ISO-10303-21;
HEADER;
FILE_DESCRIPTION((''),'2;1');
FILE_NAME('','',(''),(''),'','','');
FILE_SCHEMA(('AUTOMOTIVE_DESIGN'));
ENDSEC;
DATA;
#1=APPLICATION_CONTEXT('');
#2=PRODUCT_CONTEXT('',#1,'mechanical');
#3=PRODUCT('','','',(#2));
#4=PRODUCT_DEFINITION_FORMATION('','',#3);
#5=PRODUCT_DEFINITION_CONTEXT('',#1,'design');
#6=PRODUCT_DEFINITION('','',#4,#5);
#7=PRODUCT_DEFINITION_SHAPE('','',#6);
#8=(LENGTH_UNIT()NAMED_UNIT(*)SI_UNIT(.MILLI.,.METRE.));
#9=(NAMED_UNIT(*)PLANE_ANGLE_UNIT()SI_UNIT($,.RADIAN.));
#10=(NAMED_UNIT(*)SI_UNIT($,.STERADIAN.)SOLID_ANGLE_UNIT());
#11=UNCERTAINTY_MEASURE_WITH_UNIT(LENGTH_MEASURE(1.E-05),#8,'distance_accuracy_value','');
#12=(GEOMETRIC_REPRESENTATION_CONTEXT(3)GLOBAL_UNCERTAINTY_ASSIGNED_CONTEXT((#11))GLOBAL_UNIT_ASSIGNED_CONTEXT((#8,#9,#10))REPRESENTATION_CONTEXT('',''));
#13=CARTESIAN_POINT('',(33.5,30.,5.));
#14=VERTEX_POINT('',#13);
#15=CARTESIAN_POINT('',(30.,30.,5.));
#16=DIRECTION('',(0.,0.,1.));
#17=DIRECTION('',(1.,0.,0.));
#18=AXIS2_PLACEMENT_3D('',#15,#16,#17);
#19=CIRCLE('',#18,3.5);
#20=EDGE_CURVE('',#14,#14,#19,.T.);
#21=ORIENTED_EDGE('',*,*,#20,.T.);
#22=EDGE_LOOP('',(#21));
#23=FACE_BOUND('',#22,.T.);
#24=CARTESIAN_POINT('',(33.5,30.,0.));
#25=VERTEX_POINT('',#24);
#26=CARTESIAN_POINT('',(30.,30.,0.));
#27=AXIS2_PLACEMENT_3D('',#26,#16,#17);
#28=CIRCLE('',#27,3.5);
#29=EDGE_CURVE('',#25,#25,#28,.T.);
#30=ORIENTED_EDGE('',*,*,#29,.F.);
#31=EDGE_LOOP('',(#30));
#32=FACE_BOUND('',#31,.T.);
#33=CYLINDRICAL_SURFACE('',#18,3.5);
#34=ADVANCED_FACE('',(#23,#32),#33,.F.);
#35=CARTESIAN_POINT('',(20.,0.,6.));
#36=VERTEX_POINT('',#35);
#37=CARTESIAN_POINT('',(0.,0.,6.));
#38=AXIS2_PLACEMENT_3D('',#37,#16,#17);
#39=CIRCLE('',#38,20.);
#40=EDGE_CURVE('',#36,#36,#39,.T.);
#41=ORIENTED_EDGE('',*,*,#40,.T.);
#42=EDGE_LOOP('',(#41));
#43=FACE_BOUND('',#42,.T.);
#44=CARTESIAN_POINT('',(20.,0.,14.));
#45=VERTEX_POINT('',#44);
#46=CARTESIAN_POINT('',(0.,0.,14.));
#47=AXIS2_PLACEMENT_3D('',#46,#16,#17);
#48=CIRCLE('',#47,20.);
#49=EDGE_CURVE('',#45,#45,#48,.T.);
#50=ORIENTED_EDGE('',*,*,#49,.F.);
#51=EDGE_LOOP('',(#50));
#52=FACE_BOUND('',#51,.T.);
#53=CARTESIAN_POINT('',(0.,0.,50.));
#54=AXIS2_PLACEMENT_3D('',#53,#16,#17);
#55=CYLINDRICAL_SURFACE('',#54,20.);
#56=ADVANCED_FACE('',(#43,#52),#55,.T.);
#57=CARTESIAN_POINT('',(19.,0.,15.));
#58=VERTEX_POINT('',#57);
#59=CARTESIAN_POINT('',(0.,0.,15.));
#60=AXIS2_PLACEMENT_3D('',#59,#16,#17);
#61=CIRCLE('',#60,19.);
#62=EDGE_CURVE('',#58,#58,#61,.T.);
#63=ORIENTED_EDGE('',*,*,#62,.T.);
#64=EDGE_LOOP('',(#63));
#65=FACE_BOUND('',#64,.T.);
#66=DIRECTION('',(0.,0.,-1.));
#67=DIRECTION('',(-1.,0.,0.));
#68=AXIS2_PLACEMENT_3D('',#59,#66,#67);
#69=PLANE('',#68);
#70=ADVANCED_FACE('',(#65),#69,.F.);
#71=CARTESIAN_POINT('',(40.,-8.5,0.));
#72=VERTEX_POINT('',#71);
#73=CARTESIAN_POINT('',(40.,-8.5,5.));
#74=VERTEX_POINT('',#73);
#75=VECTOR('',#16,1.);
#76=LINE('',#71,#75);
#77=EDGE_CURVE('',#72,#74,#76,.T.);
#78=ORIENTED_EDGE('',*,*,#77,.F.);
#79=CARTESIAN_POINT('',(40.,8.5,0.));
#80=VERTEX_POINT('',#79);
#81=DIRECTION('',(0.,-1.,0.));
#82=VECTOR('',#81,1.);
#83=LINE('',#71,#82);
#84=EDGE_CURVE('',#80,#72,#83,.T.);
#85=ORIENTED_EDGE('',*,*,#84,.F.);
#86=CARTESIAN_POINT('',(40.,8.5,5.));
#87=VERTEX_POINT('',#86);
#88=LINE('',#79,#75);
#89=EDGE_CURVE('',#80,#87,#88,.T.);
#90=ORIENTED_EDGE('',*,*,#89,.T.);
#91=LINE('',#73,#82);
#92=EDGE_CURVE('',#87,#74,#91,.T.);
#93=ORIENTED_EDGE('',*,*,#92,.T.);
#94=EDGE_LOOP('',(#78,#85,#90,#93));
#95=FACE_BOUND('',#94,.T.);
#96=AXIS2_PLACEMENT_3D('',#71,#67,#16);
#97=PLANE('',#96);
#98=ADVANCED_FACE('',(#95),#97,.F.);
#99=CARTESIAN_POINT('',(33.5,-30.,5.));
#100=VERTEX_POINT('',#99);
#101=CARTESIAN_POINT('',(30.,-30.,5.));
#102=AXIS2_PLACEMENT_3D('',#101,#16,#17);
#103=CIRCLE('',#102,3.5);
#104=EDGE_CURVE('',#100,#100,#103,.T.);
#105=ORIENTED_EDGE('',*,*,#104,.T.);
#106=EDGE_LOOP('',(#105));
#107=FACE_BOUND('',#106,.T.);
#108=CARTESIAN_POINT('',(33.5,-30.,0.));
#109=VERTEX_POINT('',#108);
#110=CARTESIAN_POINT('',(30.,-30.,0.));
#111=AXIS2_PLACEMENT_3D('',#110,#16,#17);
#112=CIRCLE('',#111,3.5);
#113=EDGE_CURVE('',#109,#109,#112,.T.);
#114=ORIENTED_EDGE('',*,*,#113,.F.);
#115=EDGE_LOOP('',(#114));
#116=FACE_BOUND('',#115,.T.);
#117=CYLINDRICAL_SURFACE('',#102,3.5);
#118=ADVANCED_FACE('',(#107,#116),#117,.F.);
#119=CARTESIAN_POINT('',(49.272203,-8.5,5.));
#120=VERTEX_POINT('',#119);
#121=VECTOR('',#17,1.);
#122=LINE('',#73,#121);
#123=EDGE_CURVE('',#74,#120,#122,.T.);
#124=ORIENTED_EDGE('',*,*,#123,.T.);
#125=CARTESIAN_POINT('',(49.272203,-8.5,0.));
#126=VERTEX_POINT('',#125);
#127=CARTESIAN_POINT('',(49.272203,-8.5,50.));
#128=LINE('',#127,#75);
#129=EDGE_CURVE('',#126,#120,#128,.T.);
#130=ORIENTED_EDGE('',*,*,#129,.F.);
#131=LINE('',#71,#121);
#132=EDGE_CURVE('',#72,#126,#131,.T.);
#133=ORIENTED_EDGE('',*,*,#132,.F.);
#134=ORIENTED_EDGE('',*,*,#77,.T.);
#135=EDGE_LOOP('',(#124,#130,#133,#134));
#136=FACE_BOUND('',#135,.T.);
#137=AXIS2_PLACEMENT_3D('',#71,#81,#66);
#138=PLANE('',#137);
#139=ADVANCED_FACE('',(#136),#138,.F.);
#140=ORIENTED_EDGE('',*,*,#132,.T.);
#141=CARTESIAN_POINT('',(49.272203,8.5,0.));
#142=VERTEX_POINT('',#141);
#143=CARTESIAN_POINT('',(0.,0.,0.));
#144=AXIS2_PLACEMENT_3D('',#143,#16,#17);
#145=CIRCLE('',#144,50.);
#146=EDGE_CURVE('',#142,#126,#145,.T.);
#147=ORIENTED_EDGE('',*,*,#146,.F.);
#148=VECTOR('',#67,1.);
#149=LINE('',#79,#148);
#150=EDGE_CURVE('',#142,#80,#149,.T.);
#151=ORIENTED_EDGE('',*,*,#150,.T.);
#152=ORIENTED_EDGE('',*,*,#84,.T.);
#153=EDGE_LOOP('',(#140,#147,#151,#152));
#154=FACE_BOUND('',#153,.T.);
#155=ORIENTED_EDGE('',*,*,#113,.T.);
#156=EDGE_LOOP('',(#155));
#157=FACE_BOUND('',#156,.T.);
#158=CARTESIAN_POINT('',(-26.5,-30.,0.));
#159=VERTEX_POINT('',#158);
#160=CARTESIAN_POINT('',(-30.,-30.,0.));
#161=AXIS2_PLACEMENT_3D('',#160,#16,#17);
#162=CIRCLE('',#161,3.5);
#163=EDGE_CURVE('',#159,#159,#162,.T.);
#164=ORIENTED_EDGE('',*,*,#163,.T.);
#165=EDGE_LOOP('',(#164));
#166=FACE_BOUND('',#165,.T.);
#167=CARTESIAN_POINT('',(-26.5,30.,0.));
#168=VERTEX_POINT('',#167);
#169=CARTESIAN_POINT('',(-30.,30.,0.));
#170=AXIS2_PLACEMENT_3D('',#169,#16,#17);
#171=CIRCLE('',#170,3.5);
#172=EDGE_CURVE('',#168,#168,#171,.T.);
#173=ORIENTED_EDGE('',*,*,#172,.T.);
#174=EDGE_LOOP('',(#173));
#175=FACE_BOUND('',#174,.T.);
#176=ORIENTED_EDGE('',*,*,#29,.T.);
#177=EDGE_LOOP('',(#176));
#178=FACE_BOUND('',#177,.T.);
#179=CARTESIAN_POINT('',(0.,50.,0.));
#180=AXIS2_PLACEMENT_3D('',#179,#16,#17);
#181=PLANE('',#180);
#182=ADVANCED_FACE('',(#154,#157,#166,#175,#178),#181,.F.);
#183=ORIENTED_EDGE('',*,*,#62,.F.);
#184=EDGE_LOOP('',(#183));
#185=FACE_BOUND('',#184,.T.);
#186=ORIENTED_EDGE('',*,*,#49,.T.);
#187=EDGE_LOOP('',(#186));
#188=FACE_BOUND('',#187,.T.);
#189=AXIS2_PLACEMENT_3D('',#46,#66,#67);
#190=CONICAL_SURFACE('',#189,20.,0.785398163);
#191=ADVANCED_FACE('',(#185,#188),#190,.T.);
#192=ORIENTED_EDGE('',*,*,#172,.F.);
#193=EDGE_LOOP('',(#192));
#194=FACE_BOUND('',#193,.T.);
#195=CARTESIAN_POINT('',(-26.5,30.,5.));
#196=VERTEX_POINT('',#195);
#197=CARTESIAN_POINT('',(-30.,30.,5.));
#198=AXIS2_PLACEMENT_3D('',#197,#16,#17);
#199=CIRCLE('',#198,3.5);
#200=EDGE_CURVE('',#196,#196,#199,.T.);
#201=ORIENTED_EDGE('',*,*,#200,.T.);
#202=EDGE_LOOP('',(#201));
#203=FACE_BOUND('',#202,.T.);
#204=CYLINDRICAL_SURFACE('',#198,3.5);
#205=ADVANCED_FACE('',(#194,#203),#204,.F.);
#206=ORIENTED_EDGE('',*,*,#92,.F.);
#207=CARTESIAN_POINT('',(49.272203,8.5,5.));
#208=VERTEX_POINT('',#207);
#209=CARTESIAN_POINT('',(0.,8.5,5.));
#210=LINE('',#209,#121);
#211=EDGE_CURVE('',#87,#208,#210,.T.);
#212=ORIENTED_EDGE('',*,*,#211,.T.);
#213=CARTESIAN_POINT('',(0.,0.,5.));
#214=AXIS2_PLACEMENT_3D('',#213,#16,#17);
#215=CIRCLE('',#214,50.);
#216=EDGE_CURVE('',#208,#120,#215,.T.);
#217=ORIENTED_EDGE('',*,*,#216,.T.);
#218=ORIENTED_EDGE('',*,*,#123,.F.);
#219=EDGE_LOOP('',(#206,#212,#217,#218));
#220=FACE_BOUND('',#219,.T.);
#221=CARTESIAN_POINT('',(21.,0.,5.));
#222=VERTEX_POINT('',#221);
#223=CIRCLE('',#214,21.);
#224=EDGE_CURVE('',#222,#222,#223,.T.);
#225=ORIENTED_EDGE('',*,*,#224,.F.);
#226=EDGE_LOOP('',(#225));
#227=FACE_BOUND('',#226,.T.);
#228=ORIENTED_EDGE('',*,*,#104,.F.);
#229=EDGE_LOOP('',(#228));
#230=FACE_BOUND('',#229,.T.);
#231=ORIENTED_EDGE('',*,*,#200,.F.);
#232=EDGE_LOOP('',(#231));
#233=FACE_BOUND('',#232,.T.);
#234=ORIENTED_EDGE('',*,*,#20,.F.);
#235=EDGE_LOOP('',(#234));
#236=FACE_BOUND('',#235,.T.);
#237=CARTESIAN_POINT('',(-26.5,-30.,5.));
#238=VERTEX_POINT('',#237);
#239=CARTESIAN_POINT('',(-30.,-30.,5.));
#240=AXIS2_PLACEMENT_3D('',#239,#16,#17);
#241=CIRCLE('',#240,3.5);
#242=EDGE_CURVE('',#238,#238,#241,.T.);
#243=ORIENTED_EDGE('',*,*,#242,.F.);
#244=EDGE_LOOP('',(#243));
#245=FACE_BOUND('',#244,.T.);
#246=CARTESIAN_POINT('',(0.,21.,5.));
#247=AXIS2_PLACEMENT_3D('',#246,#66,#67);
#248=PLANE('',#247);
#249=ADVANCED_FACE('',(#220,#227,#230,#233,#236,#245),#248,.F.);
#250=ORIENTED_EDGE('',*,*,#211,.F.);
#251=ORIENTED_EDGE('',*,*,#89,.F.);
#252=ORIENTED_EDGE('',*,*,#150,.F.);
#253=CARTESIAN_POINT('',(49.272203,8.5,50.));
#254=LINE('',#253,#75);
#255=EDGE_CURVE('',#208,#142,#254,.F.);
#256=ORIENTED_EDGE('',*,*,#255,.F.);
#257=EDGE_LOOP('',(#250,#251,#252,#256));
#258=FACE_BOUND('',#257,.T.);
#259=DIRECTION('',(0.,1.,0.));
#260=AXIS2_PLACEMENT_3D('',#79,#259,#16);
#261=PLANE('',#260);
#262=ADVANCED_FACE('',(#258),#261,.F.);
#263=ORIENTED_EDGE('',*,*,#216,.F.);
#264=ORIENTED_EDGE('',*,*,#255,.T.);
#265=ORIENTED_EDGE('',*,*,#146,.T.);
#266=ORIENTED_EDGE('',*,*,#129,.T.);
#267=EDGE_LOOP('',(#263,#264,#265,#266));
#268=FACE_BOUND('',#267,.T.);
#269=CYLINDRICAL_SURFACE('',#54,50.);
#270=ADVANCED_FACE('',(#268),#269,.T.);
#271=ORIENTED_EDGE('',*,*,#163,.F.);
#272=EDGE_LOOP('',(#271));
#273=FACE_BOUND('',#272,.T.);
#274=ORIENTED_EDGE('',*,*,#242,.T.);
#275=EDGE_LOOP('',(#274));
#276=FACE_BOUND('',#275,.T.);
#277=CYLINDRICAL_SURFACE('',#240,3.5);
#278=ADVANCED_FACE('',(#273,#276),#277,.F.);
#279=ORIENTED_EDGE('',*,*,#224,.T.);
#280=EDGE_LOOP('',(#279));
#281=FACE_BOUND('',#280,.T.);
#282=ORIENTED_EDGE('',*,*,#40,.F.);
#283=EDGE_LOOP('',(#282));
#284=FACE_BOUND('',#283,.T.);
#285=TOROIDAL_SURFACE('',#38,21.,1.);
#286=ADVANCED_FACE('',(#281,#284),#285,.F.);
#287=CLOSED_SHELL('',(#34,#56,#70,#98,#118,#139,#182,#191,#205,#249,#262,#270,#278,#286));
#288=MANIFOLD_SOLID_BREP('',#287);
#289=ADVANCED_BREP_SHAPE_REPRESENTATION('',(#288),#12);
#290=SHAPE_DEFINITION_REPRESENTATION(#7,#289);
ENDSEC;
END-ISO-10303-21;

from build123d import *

# Parameters (mm, degrees)
SKETCH5_W         = 10
SKETCH5_H         = 17
EXTRUDE2_DEPTH    = 72.414284285
CIRPATTERN1_COUNT = 4


with BuildPart() as part:
    # Sketch1 → Revolve1 (revolve)
    with BuildSketch(Plane(origin=(0, 0, 0), x_dir=(0, 0, -1), z_dir=(1, 0, 0)), mode=Mode.PRIVATE) as revolve1_sk:
        with BuildLine():
            Line((0, 0), (-15, 0))
            Line((-15, 0), (-15, 19))
            Line((-15, 19), (-14, 20))
            Line((-14, 20), (-6, 20))
            ThreePointArc((-6, 20), (-5.292893219, 20.292893219), (-5, 21))
            Line((-5, 21), (-5, 50))
            Line((-5, 50), (0, 50))
            Line((0, 50), (0, 0))
        make_face()
    revolve(revolve1_sk.sketch.rotate(Axis((0, 0, 50), (0, 0, -1)), 90), axis=Axis((0, 0, 50), (0, 0, -1)))

    # Sketch5 → Extrude2 (cut, through all)
    with BuildSketch(Plane.XY.offset(5)):
        with Locations((45, 0)):
            Rectangle(SKETCH5_W, SKETCH5_H)
    extrude(amount=-EXTRUDE2_DEPTH, mode=Mode.SUBTRACT)

    # Sketch6 → Ø7.0 (7) Diameter Hole1 (revolve, cut)
    with BuildSketch(Plane(origin=(-30, 30, 5), x_dir=(0, -1, 0), z_dir=(1, 0, 0))):
        Polygon((0, 0), (0, 12.103012167), (3.5, 10), (3.5, 0), align=None)
    f_7_0_7_diameter_hole1 = revolve(axis=Axis((-30, 30, 11.35), (0, 0, -1)), mode=Mode.SUBTRACT)

    # CirPattern1: Ø7.0 (7) Diameter Hole1 ×4 about axis
    cirpattern1_axis = Axis((0, 0, 0), (0, 0, 1))
    for i in range(1, CIRPATTERN1_COUNT):
        add(f_7_0_7_diameter_hole1.rotate(cirpattern1_axis, i * 360 / CIRPATTERN1_COUNT), mode=Mode.SUBTRACT)


solid = part.part
